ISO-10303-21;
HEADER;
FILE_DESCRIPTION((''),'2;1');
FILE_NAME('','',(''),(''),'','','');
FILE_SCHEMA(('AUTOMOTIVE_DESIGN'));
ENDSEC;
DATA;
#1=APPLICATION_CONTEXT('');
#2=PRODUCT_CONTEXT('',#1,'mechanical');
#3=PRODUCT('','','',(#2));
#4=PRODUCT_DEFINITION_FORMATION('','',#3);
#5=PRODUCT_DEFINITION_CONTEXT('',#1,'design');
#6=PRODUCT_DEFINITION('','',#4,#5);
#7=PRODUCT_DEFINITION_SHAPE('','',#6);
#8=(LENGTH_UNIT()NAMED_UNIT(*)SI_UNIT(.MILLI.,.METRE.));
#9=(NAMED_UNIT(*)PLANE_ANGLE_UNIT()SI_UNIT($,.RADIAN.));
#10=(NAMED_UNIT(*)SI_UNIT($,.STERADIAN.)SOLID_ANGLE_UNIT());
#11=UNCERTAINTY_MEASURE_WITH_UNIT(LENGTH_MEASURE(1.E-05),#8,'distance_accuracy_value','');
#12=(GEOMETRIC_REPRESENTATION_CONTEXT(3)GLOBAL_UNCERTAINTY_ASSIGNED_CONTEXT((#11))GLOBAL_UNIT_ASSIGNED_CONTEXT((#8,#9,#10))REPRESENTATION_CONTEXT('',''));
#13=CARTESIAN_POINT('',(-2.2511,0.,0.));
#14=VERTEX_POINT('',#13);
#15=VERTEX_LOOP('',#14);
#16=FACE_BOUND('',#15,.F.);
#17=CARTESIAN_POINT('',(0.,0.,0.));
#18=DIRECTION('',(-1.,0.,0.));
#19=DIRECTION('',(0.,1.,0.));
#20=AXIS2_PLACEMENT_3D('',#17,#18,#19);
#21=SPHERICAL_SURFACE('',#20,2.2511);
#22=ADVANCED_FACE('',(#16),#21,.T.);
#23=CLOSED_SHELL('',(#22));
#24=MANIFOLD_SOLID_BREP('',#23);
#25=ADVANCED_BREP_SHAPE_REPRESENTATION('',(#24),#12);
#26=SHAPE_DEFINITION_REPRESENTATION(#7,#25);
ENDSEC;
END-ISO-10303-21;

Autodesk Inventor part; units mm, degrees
ref_plane "YZ Plane" through (0, 0, 0) normal (1, 0, 0) x (0, 1, 0)
ref_plane "XZ Plane" through (0, 0, 0) normal (0, 1, 0) x (-1, 0, 0)
ref_plane "XY Plane" through (0, 0, 0) normal (0, 0, 1) x (1, 0, 0)
sketch "Sketch1" plane through (0, 0, 0) normal (0, 0, 1) x (1, 0, 0)
  circle A0 centre (0, 0) radius 2.2511
  line L0 (-2.2511, 0) -> (2.2511, 0)
  dimension "d0" = 90
revolve "Revolution1" add sketch "Sketch1" angle 360 about axis through (-2.2511, 0, 0) along (1, 0, 0) picked at (0.6644, 0.3487) contours L0 A0
properties part number "ball"
